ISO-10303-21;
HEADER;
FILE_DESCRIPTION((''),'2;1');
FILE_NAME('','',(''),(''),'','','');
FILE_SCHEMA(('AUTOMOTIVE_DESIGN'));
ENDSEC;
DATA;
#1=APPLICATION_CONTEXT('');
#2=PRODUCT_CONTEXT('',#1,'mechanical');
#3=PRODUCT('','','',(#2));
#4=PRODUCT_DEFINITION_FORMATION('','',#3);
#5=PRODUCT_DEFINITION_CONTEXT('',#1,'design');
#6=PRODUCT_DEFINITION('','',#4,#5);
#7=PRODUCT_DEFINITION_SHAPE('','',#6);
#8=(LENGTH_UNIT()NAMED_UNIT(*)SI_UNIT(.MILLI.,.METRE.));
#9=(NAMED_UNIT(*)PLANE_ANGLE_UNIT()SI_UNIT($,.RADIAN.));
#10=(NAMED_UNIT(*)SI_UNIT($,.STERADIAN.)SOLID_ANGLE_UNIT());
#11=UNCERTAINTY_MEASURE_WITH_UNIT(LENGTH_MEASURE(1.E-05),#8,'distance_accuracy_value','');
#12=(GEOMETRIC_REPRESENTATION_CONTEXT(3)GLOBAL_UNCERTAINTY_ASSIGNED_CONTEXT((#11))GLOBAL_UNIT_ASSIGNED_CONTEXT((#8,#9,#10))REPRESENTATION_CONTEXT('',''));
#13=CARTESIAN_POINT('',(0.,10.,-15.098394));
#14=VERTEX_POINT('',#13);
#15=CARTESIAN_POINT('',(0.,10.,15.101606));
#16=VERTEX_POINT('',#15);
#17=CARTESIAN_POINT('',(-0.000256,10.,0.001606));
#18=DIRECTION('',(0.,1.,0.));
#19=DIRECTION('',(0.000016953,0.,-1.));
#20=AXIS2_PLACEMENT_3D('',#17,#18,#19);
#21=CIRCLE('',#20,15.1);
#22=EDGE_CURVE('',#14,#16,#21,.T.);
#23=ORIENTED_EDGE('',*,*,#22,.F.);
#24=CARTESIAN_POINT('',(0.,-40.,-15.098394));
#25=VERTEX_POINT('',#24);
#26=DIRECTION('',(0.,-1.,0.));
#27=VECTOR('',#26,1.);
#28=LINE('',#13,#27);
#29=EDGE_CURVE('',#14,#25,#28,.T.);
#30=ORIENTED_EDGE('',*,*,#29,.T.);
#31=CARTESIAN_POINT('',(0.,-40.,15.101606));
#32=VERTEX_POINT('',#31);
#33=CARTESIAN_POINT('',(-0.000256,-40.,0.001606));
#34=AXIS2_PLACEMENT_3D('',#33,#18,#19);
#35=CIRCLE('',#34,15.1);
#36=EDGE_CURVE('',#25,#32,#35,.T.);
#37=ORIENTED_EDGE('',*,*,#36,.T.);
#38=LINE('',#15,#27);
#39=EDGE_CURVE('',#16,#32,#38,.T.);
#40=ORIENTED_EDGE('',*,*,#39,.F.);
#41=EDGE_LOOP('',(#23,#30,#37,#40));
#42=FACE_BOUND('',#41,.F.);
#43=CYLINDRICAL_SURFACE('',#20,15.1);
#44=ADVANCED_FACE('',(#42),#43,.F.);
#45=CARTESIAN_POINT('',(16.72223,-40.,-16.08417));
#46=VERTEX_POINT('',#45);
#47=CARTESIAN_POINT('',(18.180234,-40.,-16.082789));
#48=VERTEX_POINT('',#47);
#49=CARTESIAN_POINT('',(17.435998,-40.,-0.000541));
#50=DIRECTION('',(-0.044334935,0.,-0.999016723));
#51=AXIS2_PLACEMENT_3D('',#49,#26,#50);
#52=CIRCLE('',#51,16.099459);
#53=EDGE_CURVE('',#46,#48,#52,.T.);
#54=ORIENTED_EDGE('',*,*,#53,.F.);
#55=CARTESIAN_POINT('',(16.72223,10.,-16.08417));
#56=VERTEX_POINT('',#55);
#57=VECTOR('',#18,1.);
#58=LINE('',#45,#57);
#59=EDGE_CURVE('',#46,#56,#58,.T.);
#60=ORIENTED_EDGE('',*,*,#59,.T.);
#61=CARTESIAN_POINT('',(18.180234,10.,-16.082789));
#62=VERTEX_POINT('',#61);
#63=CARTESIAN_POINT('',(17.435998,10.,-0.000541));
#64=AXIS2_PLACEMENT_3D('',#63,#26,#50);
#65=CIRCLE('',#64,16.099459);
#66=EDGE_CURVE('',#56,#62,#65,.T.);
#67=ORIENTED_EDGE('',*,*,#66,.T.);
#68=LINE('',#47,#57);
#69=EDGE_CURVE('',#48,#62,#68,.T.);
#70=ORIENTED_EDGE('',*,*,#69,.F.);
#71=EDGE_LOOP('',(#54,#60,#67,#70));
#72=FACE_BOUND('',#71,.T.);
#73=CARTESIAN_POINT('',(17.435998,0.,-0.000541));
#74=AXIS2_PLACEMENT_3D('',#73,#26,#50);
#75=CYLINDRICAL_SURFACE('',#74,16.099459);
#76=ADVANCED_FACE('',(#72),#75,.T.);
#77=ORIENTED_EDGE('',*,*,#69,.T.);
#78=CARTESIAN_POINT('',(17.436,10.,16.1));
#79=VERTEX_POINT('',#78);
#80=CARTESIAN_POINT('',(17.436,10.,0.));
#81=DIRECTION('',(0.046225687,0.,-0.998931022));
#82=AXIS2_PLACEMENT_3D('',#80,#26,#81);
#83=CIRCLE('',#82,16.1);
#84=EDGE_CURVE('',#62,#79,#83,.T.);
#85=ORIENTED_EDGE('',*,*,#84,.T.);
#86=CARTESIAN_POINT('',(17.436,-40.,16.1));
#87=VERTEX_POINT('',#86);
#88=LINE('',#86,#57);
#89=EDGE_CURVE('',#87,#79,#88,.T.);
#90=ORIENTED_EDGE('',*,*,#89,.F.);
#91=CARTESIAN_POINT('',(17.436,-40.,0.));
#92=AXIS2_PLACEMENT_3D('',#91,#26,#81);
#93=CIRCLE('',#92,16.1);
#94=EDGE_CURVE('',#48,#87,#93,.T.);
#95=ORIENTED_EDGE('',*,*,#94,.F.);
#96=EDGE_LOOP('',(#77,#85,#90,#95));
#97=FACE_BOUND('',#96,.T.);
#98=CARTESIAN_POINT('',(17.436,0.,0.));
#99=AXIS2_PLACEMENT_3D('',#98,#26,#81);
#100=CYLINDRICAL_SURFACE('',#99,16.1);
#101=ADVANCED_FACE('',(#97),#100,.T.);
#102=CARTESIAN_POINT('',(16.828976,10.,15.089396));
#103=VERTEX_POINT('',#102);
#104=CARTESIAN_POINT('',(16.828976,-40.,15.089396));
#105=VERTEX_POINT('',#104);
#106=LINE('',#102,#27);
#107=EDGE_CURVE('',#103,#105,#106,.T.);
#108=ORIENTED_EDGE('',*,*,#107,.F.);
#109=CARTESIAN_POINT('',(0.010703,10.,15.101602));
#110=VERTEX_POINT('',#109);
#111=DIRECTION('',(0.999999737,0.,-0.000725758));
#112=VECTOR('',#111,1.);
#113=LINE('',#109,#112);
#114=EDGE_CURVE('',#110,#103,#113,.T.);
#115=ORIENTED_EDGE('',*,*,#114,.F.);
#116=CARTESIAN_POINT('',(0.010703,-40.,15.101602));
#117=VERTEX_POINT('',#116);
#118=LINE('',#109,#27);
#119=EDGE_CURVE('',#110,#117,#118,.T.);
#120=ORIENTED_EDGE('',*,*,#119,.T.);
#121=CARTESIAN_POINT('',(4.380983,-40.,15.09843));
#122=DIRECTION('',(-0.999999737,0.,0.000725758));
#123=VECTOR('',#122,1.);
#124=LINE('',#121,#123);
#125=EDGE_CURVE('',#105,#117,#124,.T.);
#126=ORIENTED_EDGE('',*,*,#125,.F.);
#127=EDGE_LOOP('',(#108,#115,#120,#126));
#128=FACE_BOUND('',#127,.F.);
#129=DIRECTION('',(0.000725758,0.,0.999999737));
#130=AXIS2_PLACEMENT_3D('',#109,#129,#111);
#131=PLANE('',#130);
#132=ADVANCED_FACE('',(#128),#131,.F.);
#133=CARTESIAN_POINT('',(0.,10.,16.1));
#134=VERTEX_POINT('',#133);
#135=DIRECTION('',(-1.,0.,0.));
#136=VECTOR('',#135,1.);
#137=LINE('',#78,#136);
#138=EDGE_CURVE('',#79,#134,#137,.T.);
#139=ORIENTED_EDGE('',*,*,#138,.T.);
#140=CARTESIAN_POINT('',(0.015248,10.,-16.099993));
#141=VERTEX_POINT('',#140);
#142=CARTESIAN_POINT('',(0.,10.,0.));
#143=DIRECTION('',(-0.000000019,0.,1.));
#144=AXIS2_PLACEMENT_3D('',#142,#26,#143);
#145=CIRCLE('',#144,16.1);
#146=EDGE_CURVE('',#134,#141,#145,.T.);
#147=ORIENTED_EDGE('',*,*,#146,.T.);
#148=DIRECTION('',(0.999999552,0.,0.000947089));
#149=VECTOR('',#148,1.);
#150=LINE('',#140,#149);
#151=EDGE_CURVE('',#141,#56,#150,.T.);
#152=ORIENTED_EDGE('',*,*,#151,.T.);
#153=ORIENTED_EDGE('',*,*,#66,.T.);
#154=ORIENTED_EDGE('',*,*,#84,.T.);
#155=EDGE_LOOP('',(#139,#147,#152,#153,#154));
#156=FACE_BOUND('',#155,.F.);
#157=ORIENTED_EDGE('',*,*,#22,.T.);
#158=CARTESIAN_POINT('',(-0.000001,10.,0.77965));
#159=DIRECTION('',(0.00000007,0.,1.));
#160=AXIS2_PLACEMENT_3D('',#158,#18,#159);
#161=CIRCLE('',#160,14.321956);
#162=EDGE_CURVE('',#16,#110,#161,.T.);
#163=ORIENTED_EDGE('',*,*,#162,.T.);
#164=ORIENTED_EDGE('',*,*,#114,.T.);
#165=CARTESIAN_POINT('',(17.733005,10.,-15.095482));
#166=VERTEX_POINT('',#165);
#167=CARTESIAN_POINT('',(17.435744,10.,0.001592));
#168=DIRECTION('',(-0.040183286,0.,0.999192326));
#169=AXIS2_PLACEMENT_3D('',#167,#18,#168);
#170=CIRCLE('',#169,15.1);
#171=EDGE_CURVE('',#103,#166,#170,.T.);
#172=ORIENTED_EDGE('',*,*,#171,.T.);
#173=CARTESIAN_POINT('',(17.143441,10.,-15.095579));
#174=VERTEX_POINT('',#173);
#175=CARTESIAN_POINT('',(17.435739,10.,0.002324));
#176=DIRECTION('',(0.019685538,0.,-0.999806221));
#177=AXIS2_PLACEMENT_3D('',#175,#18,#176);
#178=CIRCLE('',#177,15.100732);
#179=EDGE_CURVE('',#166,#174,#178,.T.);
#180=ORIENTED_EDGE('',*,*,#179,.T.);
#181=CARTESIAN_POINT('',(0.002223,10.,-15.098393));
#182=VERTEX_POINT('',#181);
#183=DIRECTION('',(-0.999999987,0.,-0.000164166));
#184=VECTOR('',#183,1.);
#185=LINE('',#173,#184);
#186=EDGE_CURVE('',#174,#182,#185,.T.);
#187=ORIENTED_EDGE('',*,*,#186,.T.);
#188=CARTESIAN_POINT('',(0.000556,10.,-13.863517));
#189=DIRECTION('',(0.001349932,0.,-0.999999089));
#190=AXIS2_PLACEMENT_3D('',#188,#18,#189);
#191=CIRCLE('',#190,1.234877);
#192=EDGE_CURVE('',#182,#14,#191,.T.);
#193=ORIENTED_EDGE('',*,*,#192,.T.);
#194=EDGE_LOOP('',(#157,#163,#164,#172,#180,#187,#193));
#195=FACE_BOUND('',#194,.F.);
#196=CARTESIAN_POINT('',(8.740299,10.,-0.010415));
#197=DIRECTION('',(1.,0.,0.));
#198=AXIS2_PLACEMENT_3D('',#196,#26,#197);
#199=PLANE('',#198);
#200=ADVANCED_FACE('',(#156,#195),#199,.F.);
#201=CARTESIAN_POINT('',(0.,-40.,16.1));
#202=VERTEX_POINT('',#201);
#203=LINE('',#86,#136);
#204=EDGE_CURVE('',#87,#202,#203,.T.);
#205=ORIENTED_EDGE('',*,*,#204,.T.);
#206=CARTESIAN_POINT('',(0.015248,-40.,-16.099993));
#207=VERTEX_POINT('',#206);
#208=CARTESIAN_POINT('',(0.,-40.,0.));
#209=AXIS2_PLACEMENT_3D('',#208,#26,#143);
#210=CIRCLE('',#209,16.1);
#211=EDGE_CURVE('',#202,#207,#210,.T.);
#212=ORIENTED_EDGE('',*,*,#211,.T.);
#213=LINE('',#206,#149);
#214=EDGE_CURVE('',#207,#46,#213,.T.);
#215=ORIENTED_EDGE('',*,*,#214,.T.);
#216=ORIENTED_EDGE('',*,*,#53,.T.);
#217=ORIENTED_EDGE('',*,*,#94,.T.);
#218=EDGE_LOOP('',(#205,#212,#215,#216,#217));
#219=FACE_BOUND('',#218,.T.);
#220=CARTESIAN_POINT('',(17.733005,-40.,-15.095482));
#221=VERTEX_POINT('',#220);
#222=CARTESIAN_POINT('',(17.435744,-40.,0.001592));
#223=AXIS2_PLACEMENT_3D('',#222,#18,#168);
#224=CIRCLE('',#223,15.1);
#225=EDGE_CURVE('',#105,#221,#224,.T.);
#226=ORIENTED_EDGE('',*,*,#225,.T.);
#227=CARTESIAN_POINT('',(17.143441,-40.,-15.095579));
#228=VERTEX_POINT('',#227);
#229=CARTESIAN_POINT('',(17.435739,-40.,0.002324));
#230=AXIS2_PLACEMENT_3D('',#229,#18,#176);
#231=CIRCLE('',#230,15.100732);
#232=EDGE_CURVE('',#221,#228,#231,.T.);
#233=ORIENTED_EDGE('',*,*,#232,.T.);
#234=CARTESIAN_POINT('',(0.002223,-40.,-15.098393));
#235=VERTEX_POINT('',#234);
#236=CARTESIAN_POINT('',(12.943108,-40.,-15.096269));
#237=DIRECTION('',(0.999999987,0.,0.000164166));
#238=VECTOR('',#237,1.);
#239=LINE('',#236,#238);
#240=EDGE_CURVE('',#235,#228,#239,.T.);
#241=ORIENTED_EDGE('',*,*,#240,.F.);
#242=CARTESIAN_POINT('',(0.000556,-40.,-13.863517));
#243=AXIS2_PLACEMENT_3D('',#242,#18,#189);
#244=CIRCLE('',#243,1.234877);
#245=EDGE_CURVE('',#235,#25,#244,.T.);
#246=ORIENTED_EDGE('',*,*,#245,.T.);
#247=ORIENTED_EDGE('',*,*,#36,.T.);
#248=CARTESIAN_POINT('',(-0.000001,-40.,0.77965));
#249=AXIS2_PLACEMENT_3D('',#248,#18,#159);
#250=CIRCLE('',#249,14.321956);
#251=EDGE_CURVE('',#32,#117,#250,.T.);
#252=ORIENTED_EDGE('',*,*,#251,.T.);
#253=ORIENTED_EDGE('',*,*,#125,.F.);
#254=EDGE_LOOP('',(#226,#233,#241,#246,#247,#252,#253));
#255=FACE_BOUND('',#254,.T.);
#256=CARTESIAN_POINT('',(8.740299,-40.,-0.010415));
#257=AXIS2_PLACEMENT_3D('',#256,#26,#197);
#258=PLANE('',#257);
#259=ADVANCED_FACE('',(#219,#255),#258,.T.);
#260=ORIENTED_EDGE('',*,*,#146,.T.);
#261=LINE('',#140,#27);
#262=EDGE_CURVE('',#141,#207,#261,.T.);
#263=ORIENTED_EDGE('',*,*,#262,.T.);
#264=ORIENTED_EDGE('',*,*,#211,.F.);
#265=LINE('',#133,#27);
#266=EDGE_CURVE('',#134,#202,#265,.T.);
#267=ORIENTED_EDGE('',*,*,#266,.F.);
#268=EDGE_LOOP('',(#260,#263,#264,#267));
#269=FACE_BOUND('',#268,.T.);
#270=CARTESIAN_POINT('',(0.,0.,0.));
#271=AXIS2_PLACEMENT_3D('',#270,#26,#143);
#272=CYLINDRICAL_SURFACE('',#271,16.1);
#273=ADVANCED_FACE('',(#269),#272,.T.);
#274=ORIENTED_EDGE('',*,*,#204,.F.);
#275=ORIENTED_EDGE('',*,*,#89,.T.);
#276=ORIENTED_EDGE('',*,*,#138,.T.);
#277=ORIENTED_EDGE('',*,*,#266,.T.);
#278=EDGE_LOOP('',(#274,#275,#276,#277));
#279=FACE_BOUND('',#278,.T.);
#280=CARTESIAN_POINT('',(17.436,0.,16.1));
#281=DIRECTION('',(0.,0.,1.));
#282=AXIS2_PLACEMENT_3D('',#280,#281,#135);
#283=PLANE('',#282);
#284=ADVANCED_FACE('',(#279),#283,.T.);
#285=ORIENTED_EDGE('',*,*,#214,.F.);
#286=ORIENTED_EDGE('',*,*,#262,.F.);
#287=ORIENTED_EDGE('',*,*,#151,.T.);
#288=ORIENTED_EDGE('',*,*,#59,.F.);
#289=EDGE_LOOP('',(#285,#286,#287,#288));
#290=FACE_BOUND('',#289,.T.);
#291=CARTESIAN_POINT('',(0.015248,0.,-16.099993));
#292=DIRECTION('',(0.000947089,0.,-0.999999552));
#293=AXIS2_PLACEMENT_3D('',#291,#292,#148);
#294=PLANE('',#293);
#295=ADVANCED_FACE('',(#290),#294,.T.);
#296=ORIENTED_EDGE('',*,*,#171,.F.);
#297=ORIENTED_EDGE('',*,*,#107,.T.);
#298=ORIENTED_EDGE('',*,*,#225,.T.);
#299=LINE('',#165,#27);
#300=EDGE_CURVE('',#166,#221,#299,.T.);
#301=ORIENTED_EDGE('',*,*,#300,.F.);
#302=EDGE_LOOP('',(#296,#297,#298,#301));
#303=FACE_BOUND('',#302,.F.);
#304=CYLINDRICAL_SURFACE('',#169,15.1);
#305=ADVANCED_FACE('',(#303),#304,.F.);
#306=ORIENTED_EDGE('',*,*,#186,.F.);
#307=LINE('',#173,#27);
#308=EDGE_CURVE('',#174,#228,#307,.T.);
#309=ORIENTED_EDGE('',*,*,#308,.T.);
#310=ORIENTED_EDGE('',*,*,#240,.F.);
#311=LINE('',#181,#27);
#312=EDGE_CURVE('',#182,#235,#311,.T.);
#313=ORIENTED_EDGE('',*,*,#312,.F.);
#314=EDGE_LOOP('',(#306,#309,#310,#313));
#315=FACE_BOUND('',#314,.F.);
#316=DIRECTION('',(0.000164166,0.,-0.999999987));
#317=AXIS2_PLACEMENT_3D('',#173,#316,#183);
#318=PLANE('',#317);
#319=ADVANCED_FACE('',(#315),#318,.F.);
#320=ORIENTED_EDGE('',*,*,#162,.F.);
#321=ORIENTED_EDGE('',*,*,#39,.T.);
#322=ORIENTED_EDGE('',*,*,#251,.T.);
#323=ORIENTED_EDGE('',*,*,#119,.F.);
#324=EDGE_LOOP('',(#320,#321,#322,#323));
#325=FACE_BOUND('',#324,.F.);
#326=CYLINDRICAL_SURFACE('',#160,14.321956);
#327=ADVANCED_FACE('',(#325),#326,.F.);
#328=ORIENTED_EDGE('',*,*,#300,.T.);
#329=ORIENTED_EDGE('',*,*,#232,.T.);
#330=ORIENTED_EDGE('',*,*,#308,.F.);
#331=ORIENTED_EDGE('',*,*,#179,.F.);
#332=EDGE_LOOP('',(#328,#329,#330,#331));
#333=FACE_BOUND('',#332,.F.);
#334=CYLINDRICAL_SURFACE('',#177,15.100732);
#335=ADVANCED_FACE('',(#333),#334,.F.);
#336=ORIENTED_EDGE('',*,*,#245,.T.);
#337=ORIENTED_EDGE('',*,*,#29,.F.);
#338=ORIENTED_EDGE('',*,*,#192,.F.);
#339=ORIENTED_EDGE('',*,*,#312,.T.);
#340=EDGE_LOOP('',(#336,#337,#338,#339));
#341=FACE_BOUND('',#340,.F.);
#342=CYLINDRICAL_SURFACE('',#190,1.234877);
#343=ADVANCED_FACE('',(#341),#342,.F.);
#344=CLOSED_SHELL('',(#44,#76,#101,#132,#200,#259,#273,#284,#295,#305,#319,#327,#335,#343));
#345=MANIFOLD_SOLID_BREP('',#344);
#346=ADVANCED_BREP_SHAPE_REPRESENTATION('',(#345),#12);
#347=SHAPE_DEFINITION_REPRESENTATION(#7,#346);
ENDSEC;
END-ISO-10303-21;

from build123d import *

# Parameters (mm, degrees)
F1_DEPTH      = 40
F1_DEPTH_BACK = 10
F3_DEPTH      = 50.001


with BuildPart() as f1:
    # F0 (on Front) → F1 (new body, two sides)
    with BuildSketch(Plane.XZ) as f1_sk:
        with BuildLine():
            Line((17.436, 16.1), (0, 16.1))
            ThreePointArc((0, 16.1), (-16.099998, -0.007624), (0.015248, -16.099993))
            Line((0.015248, -16.099993), (16.72223, -16.08417))
            Line((16.72223, -16.08417), (18.180234, -16.082789))
            ThreePointArc((18.180234, -16.082789), (33.531697, 0.372217), (17.436, 16.1))
        make_face()
        with BuildLine():
            Line((18.180234, -16.082789), (16.72223, -16.08417))
            ThreePointArc((16.72223, -16.08417), (17.451248, -16.099993), (18.180234, -16.082789))
        make_face()
    extrude(amount=F1_DEPTH)
    extrude(f1_sk.sketch, amount=-F1_DEPTH_BACK)

    # F2 (on face) → F3 (cut, through all)
    with BuildSketch(Plane(origin=(0, 10, 0), x_dir=(-1, 0, 0), z_dir=(0, 1, 0))):
        with BuildLine():
            Line((-0.010703, 15.101602), (-16.828976, 15.089396))
            ThreePointArc((-16.828976, 15.089396), (-32.528976, 0.45363), (-17.733005, -15.095482))
            Line((-17.733005, -15.095482), (-17.143441, -15.095579))
            Line((-17.143441, -15.095579), (-0.002223, -15.098393))
            ThreePointArc((-0.002223, -15.098393), (-0.001112, -15.098394), (0, -15.098394))
            ThreePointArc((0, -15.098394), (15.100256, 0.001606), (0, 15.101606))
            ThreePointArc((0, 15.101606), (-0.005351, 15.101605), (-0.010703, 15.101602))
        make_face()
        with BuildLine():
            Line((-17.143441, -15.095579), (-17.733005, -15.095482))
            ThreePointArc((-17.733005, -15.095482), (-17.438223, -15.098408), (-17.143441, -15.095579))
        make_face()
    extrude(amount=-F3_DEPTH, mode=Mode.SUBTRACT)


solid = f1.part
